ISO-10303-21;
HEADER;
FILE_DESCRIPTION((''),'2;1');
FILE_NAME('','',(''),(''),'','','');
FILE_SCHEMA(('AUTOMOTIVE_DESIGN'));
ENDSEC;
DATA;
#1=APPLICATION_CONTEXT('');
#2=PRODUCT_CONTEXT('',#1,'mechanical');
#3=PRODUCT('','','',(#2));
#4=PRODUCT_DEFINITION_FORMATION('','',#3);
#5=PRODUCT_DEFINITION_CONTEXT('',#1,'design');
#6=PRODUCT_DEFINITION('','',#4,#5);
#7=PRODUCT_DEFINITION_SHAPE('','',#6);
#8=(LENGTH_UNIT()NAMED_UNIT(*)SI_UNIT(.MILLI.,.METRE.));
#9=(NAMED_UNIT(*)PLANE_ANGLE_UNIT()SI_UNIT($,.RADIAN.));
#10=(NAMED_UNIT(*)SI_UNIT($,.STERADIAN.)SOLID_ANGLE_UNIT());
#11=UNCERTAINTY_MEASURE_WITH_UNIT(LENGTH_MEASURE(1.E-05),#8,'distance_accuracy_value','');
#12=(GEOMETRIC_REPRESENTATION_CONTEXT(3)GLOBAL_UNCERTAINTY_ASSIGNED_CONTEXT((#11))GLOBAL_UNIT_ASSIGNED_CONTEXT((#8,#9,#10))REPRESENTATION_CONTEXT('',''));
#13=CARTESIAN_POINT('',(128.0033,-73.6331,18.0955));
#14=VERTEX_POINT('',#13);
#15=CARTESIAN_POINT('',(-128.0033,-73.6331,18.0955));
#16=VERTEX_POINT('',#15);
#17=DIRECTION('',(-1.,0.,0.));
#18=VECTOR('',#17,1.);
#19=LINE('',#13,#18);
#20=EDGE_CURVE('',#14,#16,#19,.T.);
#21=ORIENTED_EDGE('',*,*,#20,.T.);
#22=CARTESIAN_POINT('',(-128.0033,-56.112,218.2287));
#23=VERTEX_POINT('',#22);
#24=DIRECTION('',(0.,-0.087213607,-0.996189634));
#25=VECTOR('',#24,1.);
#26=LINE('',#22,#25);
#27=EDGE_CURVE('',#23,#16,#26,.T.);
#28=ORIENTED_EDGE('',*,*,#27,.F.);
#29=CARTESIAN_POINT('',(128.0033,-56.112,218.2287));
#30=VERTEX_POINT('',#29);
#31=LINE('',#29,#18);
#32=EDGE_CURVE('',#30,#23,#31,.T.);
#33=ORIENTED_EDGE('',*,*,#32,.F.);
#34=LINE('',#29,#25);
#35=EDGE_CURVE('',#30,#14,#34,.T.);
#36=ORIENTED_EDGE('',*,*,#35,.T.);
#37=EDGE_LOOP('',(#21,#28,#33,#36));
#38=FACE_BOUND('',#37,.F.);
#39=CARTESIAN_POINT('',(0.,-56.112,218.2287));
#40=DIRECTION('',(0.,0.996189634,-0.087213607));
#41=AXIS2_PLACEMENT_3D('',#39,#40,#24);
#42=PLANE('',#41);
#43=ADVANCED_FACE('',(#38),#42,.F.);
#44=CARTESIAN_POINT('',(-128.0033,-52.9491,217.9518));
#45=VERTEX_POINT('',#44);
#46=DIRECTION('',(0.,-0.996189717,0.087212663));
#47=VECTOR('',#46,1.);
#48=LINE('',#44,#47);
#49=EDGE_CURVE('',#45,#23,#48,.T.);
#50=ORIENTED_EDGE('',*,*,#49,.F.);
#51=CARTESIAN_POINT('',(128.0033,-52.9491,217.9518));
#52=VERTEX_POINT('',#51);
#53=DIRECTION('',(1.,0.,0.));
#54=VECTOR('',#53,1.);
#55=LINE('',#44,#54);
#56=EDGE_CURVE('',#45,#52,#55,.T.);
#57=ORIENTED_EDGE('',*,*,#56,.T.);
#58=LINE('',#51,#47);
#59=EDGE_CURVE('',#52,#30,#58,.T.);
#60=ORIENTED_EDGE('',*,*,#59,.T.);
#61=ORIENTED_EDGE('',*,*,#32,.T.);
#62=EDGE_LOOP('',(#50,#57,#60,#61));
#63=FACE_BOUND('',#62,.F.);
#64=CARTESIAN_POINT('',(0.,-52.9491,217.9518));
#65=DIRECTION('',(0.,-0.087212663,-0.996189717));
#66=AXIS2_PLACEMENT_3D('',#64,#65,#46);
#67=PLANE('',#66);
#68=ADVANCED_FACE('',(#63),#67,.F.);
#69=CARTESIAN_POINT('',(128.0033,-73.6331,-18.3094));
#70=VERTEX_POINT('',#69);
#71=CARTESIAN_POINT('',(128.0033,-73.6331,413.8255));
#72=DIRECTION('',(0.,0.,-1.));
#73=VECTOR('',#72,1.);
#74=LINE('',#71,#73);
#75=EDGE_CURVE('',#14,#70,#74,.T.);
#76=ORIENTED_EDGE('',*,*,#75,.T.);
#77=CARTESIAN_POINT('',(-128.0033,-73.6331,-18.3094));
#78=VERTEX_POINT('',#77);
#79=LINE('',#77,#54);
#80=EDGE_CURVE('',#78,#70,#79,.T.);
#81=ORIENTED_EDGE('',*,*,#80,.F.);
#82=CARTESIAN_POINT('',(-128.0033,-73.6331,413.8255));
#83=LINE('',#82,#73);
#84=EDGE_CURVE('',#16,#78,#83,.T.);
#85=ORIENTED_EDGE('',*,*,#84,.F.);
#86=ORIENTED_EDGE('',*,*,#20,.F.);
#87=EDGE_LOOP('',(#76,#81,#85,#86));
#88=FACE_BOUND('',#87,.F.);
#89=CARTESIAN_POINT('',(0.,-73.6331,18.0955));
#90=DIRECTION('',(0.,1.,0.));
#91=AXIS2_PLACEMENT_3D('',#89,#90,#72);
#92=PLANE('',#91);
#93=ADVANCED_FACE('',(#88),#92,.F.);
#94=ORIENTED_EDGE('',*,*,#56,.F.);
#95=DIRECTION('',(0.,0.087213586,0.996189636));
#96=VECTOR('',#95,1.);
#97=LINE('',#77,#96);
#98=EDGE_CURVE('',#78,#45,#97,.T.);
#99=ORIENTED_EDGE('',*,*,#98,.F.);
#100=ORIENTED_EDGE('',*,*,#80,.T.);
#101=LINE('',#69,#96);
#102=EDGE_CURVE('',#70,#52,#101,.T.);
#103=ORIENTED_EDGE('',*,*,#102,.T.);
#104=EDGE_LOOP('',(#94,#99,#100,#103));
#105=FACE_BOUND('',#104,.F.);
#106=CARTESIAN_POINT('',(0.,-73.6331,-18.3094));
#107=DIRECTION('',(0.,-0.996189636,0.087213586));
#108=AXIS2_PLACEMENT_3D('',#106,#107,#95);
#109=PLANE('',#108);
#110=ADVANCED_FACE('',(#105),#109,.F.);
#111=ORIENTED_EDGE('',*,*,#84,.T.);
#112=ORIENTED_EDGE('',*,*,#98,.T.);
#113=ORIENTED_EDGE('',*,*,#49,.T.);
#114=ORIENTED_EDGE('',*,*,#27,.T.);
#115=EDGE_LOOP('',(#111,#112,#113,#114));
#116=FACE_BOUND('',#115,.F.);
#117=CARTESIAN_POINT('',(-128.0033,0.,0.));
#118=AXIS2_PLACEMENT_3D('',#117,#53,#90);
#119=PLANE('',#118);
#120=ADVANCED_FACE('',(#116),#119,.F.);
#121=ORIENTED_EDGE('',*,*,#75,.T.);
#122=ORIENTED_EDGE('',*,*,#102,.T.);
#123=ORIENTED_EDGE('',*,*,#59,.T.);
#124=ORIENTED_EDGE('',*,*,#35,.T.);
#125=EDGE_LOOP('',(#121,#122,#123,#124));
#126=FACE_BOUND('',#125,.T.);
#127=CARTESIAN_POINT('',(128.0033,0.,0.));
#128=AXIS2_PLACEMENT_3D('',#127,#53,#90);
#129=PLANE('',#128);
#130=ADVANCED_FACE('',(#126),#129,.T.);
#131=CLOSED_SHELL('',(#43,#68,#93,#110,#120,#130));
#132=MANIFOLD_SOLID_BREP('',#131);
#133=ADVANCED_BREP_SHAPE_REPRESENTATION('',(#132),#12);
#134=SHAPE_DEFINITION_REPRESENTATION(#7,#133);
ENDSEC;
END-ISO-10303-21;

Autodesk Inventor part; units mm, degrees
ref_plane "YZ Plane" through (0, 0, 0) normal (1, 0, 0) x (0, 1, 0)
ref_plane "XZ Plane" through (0, 0, 0) normal (0, 1, 0) x (-1, 0, 0)
ref_plane "XY Plane" through (0, 0, 0) normal (0, 0, 1) x (1, 0, 0)
sketch "Sketch1" plane through (0, 0, 0) normal (1, 0, 0) x (0, 1, 0)
  line L0 (-18.2699, 90.9518) -> (-43.6699, 90.9518) projected
  line L1 (-43.6699, 90.9518) -> (-43.6699, 87.7768) projected
  line L2 (-43.6699, 87.7768) -> (-21.4449, 87.7768) projected
  line L3 (-21.4449, 87.7768) -> (-21.4449, 56.0268) projected
  line L4 (-21.4449, 56.0268) -> (-43.6699, 56.0268) projected
  line L5 (-43.6699, 56.0268) -> (-43.6699, 52.8518) projected
  line L6 (-43.6699, 52.8518) -> (-18.2699, 52.8518) projected
  line L7 (-18.2699, 52.8518) -> (-18.2699, 90.9518) projected
  line L8 (-73.6331, -37.3594) -> (5.1124, 90.9518)
  line L9 (-73.6331, 413.8255) -> (-73.6331, -18.3094)
  line L10 (-73.6331, -18.3094) -> (-73.6331, -127.5459)
  line L11 (-43.6699, 90.9518) -> (46.9661, 90.9518)
  line L12 (-73.6331, -18.3094) -> (73.7672, -18.3094)
  line L13 (-73.6331, -18.3094) -> (-52.9491, 217.9518)
  line L14 (-52.9491, 217.9518) -> (-56.112, 218.2287)
  line L15 (-56.112, 218.2287) -> (-73.6331, 18.0955)
  point P0 (0, 0)
  dimension "d0" = 19.05
  dimension "d1" = 20.32
  dimension "d2" = 0
  dimension "d3" = 3.175
  dimension "d6" = 127
extrude "Extrusion1" add sketch "Sketch1" along normal mid plane 256.0066 contours L9 L15 L14 L13
properties part number "backRamp"
